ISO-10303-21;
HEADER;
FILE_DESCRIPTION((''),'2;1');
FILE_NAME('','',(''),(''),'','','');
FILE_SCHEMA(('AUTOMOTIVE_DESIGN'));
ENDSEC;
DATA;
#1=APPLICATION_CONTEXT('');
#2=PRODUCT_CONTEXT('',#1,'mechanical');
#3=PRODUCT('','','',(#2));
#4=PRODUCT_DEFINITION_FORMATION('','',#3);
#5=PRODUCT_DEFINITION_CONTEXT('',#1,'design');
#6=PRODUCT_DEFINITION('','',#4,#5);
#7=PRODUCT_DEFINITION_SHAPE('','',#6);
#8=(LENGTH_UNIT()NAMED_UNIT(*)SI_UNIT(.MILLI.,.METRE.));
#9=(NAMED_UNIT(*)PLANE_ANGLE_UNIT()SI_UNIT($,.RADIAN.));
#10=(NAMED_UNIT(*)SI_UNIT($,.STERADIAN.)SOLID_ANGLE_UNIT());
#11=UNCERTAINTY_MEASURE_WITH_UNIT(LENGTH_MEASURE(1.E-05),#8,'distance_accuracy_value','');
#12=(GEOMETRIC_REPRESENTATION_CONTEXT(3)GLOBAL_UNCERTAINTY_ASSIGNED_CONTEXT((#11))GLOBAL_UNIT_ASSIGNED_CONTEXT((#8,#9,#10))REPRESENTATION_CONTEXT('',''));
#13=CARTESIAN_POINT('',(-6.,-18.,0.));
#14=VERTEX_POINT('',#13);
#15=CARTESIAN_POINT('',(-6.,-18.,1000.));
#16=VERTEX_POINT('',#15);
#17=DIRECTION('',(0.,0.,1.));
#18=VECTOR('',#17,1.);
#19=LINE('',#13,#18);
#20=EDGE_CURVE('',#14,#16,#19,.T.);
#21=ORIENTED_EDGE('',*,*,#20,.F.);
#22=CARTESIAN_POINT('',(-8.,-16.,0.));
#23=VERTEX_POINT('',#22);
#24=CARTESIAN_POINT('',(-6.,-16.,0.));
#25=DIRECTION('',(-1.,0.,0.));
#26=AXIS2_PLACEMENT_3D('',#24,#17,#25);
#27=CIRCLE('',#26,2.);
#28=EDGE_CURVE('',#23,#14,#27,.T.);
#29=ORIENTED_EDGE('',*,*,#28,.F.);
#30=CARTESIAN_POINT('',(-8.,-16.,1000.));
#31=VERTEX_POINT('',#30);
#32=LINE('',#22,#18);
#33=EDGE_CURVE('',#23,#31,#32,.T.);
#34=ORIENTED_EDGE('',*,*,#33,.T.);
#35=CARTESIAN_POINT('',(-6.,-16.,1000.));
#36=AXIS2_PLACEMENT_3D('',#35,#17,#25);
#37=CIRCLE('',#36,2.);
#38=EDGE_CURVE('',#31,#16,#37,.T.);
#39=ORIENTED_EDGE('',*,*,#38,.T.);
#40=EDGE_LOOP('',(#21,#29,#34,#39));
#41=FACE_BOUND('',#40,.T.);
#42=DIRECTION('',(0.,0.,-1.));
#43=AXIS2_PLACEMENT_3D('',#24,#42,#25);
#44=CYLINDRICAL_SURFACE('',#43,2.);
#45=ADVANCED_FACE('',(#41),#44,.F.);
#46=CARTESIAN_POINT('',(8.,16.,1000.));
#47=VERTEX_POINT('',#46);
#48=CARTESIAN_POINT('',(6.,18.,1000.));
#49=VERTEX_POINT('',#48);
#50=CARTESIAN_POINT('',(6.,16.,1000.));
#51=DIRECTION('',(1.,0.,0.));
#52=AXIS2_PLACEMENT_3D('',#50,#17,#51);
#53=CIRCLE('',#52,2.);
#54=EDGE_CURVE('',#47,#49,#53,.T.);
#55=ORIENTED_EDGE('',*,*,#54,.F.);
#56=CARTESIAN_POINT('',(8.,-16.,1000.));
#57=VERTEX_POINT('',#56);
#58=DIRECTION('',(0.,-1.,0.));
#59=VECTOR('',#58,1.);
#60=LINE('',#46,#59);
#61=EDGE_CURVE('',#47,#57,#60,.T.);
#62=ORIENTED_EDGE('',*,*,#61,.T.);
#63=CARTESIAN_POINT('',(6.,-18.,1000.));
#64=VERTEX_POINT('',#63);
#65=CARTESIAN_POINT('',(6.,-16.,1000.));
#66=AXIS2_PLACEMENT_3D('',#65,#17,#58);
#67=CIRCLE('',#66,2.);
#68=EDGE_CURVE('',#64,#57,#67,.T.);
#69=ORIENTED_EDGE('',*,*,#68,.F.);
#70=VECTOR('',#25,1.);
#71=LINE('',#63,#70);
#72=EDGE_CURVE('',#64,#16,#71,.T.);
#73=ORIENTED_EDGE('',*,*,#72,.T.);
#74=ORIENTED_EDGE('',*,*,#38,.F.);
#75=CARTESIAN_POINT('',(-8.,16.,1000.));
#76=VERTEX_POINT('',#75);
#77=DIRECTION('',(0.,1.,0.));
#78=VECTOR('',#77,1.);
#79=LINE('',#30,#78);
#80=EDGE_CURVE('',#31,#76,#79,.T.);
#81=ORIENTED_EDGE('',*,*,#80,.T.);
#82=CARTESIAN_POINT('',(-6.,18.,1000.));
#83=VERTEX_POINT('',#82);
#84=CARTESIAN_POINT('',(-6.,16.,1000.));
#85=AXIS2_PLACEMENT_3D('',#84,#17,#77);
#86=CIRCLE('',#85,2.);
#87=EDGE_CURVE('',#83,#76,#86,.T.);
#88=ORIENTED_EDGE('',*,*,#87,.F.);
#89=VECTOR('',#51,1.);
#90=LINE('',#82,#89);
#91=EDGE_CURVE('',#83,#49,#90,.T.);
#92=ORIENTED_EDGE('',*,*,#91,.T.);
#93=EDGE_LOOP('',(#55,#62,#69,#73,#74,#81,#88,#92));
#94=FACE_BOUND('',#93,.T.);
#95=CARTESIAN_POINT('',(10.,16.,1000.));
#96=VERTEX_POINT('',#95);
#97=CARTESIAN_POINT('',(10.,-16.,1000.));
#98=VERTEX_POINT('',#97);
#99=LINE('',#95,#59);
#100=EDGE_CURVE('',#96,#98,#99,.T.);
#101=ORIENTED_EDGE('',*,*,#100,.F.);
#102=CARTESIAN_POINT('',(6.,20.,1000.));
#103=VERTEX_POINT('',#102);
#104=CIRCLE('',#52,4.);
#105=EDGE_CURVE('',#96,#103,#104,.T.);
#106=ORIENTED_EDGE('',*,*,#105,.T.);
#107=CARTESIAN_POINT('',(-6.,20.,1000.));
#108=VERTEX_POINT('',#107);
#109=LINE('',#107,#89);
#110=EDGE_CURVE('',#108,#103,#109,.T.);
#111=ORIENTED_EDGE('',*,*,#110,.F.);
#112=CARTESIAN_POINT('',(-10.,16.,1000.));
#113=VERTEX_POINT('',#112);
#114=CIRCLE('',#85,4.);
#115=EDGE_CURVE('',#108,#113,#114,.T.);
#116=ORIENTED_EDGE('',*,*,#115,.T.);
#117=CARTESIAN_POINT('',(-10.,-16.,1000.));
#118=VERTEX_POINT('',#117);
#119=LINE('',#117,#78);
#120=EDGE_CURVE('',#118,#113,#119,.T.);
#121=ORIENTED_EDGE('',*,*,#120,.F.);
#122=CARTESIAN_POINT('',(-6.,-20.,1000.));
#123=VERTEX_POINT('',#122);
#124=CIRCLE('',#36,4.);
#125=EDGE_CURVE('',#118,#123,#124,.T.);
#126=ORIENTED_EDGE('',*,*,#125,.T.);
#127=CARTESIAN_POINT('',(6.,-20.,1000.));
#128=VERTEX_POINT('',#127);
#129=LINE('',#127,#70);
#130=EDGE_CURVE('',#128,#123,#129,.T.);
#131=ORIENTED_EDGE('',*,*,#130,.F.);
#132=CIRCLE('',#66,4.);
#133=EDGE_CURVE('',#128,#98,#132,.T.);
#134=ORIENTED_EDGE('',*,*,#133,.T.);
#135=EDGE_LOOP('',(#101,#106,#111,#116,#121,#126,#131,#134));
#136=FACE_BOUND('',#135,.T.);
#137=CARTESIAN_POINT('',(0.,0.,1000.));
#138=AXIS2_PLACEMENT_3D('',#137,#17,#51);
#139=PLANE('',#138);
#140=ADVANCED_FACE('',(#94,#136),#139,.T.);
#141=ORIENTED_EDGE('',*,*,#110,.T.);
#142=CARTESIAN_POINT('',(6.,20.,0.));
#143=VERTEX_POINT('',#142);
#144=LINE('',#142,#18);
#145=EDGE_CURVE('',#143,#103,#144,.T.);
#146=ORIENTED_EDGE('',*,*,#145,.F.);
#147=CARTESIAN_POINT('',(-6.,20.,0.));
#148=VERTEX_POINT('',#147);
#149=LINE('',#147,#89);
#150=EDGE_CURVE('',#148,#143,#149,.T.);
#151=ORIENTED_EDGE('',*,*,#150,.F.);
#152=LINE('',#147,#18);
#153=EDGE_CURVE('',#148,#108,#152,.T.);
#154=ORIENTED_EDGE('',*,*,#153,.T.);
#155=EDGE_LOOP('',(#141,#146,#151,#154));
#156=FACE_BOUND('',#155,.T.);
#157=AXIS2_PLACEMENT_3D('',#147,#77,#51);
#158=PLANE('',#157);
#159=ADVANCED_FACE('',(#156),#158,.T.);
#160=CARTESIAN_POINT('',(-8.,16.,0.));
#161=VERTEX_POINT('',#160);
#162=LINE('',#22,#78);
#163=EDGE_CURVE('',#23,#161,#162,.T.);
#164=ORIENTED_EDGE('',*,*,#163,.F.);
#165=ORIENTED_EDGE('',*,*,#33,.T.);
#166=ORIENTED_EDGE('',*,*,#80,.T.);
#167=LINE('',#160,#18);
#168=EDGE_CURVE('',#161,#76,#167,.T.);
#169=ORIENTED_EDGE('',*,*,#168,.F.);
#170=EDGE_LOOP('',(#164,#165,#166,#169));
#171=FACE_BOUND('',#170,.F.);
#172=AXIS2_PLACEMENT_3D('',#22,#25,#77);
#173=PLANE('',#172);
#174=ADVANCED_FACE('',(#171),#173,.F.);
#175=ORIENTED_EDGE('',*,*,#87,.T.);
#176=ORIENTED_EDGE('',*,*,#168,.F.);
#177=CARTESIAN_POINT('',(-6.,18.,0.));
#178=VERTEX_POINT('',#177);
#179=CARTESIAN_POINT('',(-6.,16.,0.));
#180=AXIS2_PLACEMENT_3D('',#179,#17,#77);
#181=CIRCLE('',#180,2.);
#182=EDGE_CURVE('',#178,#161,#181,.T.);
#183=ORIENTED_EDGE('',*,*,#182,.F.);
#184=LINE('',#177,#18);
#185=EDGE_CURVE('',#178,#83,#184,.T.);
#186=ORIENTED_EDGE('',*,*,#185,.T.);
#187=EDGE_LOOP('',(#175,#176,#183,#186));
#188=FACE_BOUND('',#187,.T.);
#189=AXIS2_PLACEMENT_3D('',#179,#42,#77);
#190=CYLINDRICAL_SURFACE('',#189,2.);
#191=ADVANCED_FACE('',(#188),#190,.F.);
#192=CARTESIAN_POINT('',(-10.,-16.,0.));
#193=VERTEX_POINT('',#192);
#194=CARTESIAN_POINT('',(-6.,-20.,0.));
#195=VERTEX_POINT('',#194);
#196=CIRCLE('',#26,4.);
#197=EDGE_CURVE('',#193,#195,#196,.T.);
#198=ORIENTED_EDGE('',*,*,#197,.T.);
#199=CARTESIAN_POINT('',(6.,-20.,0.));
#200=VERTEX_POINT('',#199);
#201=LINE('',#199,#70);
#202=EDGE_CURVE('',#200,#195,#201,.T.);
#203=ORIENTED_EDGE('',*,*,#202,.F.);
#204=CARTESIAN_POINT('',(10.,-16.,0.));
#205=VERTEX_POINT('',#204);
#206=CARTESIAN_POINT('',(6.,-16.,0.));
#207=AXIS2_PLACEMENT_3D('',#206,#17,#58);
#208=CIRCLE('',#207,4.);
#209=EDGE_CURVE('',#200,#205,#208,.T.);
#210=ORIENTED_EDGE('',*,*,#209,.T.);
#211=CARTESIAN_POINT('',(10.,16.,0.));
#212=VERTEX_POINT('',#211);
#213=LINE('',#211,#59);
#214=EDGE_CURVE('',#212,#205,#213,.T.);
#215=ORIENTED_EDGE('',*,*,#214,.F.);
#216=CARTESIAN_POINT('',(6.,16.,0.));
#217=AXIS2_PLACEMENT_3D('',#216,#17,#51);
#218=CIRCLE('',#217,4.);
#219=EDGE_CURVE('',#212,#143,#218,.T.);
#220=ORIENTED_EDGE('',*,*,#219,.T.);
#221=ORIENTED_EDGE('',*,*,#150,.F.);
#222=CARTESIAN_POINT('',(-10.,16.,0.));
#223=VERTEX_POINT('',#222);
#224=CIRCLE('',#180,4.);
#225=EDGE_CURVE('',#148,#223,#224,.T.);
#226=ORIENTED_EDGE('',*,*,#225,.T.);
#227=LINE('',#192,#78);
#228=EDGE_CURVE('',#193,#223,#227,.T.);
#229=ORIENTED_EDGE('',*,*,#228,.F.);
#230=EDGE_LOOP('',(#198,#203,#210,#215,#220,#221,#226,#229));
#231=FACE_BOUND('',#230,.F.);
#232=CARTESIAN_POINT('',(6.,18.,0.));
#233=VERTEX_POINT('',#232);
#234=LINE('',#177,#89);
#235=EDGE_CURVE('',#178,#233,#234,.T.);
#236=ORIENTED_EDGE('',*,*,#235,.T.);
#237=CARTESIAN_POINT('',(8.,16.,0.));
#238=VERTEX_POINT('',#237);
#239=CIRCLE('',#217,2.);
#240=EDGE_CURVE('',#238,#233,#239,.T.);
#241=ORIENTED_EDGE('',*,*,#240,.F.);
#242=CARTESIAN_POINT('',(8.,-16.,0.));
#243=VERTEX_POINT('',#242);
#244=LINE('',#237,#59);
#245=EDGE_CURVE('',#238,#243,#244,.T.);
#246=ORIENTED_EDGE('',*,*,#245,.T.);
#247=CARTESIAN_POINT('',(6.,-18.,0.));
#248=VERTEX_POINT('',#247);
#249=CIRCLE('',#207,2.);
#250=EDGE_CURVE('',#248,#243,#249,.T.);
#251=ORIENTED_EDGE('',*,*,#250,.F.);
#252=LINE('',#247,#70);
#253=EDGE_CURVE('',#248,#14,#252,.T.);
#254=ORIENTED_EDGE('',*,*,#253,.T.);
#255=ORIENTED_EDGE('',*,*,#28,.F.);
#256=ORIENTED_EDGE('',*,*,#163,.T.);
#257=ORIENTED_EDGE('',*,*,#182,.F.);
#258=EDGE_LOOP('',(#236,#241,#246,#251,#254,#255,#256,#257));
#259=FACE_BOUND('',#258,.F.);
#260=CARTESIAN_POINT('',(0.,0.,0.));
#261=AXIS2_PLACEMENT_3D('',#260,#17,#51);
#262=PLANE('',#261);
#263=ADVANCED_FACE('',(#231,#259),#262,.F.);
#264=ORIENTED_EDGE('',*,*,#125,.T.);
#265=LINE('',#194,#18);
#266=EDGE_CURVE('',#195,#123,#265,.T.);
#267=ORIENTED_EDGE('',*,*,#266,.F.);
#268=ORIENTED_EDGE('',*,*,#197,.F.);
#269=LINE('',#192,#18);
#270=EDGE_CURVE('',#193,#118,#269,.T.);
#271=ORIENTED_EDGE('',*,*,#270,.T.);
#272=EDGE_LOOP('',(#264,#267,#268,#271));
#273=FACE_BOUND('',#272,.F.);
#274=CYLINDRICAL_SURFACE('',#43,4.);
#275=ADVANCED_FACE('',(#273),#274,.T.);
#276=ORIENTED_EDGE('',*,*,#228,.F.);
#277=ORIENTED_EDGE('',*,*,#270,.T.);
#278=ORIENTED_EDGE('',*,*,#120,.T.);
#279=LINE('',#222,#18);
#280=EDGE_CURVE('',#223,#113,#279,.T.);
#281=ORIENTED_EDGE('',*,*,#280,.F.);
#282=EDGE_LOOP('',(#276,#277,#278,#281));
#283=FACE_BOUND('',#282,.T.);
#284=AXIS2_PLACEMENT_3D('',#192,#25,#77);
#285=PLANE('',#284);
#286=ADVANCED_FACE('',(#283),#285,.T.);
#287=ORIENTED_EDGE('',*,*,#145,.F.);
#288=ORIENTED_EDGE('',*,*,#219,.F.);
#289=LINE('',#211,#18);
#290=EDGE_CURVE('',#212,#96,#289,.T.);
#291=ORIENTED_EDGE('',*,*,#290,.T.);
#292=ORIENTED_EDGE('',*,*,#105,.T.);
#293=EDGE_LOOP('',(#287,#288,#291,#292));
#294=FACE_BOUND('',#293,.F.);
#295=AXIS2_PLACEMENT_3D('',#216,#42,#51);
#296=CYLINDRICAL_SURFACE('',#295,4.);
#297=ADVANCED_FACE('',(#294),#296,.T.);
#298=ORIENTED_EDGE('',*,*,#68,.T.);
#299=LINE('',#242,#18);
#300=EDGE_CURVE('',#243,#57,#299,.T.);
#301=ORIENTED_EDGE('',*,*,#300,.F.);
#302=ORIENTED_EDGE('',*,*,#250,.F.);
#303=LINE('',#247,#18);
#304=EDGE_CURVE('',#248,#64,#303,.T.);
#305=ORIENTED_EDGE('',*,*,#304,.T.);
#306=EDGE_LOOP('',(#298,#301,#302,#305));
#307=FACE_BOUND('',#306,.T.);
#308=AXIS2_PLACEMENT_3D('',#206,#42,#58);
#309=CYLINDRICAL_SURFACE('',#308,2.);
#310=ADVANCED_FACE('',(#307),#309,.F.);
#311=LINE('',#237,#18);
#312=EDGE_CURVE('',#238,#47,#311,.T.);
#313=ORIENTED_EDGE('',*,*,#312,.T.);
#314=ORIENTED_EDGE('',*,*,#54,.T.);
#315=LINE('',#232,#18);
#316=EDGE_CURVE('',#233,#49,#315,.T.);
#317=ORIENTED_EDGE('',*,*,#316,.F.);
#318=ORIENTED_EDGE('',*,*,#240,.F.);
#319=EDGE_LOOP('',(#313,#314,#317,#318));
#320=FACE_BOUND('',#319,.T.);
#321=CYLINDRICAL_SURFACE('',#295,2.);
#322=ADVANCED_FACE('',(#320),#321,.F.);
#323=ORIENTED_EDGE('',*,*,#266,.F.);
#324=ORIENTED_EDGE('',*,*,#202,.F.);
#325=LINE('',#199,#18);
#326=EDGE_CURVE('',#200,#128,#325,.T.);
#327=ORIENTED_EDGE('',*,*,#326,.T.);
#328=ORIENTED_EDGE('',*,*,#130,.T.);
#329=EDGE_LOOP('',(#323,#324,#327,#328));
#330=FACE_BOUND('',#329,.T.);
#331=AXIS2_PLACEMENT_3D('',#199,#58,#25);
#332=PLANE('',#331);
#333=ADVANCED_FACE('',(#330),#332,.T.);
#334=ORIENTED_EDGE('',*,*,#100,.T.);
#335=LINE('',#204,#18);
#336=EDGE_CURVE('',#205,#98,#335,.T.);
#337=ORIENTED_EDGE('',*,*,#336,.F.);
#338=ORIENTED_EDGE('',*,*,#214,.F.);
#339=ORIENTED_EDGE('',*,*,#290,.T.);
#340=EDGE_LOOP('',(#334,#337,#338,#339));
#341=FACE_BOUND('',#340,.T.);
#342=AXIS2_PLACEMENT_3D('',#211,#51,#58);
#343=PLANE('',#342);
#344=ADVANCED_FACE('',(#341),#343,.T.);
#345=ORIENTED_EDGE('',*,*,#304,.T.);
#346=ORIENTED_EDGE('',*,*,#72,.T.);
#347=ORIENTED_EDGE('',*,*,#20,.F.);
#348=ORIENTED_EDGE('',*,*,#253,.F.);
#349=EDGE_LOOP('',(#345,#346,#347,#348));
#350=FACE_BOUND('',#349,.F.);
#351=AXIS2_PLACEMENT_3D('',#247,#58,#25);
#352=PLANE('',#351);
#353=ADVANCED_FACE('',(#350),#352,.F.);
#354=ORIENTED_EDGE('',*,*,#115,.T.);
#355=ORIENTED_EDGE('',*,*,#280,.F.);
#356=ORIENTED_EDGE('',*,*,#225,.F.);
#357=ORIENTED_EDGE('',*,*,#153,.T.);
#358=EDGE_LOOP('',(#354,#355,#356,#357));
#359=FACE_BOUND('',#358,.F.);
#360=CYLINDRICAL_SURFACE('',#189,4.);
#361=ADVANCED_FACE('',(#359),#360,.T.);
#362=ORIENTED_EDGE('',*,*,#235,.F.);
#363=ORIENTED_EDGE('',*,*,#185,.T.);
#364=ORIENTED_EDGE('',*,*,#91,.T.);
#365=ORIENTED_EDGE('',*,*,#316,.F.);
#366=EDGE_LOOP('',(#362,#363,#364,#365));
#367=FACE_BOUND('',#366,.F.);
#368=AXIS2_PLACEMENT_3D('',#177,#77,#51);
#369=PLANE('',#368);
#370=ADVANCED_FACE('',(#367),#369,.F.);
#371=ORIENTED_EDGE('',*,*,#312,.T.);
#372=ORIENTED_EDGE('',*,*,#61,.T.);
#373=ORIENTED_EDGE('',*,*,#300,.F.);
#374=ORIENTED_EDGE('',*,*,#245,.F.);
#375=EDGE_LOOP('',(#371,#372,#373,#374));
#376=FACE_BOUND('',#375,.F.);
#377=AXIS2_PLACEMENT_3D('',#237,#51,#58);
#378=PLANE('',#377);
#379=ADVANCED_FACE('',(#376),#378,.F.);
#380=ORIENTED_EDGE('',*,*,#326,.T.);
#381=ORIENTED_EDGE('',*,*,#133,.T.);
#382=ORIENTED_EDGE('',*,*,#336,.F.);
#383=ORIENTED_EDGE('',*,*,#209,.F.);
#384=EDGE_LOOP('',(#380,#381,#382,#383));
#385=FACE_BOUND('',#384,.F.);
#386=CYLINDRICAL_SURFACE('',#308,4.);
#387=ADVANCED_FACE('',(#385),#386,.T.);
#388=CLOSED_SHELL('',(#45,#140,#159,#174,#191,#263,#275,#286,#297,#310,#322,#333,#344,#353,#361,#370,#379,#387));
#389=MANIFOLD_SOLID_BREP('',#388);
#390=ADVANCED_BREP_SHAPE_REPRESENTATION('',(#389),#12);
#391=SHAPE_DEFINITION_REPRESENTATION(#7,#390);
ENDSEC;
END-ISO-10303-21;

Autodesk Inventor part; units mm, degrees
ref_plane "YZ Plane" through (0, 0, 0) normal (1, 0, 0) x (0, 1, 0)
ref_plane "Start Plane" through (0, 0, 0) normal (0, 0, 1) x (1, 0, 0)
ref_plane "End Plane" through (0, 0, 1000) normal (0, 0, 1) x (1, 0, 0)
sketch "Sketch" plane through (0, 0, 0) normal (0, 0, 1) x (1, 0, 0)
  line L0 (-10, -16) -> (-10, 16)
  line L1 (-6, 20) -> (6, 20)
  line L2 (10, 16) -> (10, -16)
  line L3 (6, -20) -> (-6, -20)
  arc A0 (-10, -16) -> (-6, -20) centre (-6, -16) ccw
  arc A1 (10, 16) -> (6, 20) centre (6, 16) ccw
  arc A2 (-6, 20) -> (-10, 16) centre (-6, 16) ccw
  arc A3 (6, -20) -> (10, -16) centre (6, -16) ccw
  arc A4 (-6, 18) -> (-8, 16) centre (-6, 16) ccw
  line L4 (-6, 18) -> (6, 18)
  arc A5 (8, 16) -> (6, 18) centre (6, 16) ccw
  line L5 (8, 16) -> (8, -16)
  arc A6 (6, -18) -> (8, -16) centre (6, -16) ccw
  line L6 (6, -18) -> (-6, -18)
  arc A7 (-8, -16) -> (-6, -18) centre (-6, -16) ccw
  line L7 (-8, -16) -> (-8, 16)
  line L8 (0, 29.1598) -> (0, -29.1598) construction
  line L9 (-15.1598, 0) -> (15.1598, 0) construction
  dimension "d7" = 4
  dimension "d9" = 20
  dimension "d11" = 40
  dimension "d12" = 2
  dimension "d15" = 10
  dimension "d16" = 20
extrude "Body" add sketch "Sketch" along normal up to surface (1000 mm away) from surface at 0
sketch "Sketch3" plane through (0, 0, 0) normal (0, 0, 1) x (1, 0, 0)
  line L0 (0, 0) -> (10, 0)
ref_plane "Work Plane3" through (0, 0, 0) normal (0, -1, 0) x (1, 0, 0)
sketch "Sketch4" plane through (0, 0, 0) normal (0, -1, 0) x (1, 0, 0)
  line L0 (-2, 0) -> (12, 0)
  line L1 (-2, 1000) -> (12, 1000)
  dimension "d18" = 1000
equation "\"d7\" = G_IR"
equation "\"d9\" = G_W"
equation "\"d11\" = G_H"
equation "\"d12\" = G_T"
equation "\"d15\" = 0.5 * d9"
equation "\"d16\" = 0.5 * d11"
equation "\"d3\" = G_L"
equation "\"G_W\" = 20"
equation "\"G_H\" = 40"
equation "\"G_T\" = 2"
equation "\"G_IR\" = 4"
equation "\"G_L\" = d18"
equation "\"G_OFFSET_START\" = 0"
equation "\"G_OFFSET_END\" = 0"
properties part number "ISO 10799-2 - 40x20x2 - 1000" material "Steel, Mild"
